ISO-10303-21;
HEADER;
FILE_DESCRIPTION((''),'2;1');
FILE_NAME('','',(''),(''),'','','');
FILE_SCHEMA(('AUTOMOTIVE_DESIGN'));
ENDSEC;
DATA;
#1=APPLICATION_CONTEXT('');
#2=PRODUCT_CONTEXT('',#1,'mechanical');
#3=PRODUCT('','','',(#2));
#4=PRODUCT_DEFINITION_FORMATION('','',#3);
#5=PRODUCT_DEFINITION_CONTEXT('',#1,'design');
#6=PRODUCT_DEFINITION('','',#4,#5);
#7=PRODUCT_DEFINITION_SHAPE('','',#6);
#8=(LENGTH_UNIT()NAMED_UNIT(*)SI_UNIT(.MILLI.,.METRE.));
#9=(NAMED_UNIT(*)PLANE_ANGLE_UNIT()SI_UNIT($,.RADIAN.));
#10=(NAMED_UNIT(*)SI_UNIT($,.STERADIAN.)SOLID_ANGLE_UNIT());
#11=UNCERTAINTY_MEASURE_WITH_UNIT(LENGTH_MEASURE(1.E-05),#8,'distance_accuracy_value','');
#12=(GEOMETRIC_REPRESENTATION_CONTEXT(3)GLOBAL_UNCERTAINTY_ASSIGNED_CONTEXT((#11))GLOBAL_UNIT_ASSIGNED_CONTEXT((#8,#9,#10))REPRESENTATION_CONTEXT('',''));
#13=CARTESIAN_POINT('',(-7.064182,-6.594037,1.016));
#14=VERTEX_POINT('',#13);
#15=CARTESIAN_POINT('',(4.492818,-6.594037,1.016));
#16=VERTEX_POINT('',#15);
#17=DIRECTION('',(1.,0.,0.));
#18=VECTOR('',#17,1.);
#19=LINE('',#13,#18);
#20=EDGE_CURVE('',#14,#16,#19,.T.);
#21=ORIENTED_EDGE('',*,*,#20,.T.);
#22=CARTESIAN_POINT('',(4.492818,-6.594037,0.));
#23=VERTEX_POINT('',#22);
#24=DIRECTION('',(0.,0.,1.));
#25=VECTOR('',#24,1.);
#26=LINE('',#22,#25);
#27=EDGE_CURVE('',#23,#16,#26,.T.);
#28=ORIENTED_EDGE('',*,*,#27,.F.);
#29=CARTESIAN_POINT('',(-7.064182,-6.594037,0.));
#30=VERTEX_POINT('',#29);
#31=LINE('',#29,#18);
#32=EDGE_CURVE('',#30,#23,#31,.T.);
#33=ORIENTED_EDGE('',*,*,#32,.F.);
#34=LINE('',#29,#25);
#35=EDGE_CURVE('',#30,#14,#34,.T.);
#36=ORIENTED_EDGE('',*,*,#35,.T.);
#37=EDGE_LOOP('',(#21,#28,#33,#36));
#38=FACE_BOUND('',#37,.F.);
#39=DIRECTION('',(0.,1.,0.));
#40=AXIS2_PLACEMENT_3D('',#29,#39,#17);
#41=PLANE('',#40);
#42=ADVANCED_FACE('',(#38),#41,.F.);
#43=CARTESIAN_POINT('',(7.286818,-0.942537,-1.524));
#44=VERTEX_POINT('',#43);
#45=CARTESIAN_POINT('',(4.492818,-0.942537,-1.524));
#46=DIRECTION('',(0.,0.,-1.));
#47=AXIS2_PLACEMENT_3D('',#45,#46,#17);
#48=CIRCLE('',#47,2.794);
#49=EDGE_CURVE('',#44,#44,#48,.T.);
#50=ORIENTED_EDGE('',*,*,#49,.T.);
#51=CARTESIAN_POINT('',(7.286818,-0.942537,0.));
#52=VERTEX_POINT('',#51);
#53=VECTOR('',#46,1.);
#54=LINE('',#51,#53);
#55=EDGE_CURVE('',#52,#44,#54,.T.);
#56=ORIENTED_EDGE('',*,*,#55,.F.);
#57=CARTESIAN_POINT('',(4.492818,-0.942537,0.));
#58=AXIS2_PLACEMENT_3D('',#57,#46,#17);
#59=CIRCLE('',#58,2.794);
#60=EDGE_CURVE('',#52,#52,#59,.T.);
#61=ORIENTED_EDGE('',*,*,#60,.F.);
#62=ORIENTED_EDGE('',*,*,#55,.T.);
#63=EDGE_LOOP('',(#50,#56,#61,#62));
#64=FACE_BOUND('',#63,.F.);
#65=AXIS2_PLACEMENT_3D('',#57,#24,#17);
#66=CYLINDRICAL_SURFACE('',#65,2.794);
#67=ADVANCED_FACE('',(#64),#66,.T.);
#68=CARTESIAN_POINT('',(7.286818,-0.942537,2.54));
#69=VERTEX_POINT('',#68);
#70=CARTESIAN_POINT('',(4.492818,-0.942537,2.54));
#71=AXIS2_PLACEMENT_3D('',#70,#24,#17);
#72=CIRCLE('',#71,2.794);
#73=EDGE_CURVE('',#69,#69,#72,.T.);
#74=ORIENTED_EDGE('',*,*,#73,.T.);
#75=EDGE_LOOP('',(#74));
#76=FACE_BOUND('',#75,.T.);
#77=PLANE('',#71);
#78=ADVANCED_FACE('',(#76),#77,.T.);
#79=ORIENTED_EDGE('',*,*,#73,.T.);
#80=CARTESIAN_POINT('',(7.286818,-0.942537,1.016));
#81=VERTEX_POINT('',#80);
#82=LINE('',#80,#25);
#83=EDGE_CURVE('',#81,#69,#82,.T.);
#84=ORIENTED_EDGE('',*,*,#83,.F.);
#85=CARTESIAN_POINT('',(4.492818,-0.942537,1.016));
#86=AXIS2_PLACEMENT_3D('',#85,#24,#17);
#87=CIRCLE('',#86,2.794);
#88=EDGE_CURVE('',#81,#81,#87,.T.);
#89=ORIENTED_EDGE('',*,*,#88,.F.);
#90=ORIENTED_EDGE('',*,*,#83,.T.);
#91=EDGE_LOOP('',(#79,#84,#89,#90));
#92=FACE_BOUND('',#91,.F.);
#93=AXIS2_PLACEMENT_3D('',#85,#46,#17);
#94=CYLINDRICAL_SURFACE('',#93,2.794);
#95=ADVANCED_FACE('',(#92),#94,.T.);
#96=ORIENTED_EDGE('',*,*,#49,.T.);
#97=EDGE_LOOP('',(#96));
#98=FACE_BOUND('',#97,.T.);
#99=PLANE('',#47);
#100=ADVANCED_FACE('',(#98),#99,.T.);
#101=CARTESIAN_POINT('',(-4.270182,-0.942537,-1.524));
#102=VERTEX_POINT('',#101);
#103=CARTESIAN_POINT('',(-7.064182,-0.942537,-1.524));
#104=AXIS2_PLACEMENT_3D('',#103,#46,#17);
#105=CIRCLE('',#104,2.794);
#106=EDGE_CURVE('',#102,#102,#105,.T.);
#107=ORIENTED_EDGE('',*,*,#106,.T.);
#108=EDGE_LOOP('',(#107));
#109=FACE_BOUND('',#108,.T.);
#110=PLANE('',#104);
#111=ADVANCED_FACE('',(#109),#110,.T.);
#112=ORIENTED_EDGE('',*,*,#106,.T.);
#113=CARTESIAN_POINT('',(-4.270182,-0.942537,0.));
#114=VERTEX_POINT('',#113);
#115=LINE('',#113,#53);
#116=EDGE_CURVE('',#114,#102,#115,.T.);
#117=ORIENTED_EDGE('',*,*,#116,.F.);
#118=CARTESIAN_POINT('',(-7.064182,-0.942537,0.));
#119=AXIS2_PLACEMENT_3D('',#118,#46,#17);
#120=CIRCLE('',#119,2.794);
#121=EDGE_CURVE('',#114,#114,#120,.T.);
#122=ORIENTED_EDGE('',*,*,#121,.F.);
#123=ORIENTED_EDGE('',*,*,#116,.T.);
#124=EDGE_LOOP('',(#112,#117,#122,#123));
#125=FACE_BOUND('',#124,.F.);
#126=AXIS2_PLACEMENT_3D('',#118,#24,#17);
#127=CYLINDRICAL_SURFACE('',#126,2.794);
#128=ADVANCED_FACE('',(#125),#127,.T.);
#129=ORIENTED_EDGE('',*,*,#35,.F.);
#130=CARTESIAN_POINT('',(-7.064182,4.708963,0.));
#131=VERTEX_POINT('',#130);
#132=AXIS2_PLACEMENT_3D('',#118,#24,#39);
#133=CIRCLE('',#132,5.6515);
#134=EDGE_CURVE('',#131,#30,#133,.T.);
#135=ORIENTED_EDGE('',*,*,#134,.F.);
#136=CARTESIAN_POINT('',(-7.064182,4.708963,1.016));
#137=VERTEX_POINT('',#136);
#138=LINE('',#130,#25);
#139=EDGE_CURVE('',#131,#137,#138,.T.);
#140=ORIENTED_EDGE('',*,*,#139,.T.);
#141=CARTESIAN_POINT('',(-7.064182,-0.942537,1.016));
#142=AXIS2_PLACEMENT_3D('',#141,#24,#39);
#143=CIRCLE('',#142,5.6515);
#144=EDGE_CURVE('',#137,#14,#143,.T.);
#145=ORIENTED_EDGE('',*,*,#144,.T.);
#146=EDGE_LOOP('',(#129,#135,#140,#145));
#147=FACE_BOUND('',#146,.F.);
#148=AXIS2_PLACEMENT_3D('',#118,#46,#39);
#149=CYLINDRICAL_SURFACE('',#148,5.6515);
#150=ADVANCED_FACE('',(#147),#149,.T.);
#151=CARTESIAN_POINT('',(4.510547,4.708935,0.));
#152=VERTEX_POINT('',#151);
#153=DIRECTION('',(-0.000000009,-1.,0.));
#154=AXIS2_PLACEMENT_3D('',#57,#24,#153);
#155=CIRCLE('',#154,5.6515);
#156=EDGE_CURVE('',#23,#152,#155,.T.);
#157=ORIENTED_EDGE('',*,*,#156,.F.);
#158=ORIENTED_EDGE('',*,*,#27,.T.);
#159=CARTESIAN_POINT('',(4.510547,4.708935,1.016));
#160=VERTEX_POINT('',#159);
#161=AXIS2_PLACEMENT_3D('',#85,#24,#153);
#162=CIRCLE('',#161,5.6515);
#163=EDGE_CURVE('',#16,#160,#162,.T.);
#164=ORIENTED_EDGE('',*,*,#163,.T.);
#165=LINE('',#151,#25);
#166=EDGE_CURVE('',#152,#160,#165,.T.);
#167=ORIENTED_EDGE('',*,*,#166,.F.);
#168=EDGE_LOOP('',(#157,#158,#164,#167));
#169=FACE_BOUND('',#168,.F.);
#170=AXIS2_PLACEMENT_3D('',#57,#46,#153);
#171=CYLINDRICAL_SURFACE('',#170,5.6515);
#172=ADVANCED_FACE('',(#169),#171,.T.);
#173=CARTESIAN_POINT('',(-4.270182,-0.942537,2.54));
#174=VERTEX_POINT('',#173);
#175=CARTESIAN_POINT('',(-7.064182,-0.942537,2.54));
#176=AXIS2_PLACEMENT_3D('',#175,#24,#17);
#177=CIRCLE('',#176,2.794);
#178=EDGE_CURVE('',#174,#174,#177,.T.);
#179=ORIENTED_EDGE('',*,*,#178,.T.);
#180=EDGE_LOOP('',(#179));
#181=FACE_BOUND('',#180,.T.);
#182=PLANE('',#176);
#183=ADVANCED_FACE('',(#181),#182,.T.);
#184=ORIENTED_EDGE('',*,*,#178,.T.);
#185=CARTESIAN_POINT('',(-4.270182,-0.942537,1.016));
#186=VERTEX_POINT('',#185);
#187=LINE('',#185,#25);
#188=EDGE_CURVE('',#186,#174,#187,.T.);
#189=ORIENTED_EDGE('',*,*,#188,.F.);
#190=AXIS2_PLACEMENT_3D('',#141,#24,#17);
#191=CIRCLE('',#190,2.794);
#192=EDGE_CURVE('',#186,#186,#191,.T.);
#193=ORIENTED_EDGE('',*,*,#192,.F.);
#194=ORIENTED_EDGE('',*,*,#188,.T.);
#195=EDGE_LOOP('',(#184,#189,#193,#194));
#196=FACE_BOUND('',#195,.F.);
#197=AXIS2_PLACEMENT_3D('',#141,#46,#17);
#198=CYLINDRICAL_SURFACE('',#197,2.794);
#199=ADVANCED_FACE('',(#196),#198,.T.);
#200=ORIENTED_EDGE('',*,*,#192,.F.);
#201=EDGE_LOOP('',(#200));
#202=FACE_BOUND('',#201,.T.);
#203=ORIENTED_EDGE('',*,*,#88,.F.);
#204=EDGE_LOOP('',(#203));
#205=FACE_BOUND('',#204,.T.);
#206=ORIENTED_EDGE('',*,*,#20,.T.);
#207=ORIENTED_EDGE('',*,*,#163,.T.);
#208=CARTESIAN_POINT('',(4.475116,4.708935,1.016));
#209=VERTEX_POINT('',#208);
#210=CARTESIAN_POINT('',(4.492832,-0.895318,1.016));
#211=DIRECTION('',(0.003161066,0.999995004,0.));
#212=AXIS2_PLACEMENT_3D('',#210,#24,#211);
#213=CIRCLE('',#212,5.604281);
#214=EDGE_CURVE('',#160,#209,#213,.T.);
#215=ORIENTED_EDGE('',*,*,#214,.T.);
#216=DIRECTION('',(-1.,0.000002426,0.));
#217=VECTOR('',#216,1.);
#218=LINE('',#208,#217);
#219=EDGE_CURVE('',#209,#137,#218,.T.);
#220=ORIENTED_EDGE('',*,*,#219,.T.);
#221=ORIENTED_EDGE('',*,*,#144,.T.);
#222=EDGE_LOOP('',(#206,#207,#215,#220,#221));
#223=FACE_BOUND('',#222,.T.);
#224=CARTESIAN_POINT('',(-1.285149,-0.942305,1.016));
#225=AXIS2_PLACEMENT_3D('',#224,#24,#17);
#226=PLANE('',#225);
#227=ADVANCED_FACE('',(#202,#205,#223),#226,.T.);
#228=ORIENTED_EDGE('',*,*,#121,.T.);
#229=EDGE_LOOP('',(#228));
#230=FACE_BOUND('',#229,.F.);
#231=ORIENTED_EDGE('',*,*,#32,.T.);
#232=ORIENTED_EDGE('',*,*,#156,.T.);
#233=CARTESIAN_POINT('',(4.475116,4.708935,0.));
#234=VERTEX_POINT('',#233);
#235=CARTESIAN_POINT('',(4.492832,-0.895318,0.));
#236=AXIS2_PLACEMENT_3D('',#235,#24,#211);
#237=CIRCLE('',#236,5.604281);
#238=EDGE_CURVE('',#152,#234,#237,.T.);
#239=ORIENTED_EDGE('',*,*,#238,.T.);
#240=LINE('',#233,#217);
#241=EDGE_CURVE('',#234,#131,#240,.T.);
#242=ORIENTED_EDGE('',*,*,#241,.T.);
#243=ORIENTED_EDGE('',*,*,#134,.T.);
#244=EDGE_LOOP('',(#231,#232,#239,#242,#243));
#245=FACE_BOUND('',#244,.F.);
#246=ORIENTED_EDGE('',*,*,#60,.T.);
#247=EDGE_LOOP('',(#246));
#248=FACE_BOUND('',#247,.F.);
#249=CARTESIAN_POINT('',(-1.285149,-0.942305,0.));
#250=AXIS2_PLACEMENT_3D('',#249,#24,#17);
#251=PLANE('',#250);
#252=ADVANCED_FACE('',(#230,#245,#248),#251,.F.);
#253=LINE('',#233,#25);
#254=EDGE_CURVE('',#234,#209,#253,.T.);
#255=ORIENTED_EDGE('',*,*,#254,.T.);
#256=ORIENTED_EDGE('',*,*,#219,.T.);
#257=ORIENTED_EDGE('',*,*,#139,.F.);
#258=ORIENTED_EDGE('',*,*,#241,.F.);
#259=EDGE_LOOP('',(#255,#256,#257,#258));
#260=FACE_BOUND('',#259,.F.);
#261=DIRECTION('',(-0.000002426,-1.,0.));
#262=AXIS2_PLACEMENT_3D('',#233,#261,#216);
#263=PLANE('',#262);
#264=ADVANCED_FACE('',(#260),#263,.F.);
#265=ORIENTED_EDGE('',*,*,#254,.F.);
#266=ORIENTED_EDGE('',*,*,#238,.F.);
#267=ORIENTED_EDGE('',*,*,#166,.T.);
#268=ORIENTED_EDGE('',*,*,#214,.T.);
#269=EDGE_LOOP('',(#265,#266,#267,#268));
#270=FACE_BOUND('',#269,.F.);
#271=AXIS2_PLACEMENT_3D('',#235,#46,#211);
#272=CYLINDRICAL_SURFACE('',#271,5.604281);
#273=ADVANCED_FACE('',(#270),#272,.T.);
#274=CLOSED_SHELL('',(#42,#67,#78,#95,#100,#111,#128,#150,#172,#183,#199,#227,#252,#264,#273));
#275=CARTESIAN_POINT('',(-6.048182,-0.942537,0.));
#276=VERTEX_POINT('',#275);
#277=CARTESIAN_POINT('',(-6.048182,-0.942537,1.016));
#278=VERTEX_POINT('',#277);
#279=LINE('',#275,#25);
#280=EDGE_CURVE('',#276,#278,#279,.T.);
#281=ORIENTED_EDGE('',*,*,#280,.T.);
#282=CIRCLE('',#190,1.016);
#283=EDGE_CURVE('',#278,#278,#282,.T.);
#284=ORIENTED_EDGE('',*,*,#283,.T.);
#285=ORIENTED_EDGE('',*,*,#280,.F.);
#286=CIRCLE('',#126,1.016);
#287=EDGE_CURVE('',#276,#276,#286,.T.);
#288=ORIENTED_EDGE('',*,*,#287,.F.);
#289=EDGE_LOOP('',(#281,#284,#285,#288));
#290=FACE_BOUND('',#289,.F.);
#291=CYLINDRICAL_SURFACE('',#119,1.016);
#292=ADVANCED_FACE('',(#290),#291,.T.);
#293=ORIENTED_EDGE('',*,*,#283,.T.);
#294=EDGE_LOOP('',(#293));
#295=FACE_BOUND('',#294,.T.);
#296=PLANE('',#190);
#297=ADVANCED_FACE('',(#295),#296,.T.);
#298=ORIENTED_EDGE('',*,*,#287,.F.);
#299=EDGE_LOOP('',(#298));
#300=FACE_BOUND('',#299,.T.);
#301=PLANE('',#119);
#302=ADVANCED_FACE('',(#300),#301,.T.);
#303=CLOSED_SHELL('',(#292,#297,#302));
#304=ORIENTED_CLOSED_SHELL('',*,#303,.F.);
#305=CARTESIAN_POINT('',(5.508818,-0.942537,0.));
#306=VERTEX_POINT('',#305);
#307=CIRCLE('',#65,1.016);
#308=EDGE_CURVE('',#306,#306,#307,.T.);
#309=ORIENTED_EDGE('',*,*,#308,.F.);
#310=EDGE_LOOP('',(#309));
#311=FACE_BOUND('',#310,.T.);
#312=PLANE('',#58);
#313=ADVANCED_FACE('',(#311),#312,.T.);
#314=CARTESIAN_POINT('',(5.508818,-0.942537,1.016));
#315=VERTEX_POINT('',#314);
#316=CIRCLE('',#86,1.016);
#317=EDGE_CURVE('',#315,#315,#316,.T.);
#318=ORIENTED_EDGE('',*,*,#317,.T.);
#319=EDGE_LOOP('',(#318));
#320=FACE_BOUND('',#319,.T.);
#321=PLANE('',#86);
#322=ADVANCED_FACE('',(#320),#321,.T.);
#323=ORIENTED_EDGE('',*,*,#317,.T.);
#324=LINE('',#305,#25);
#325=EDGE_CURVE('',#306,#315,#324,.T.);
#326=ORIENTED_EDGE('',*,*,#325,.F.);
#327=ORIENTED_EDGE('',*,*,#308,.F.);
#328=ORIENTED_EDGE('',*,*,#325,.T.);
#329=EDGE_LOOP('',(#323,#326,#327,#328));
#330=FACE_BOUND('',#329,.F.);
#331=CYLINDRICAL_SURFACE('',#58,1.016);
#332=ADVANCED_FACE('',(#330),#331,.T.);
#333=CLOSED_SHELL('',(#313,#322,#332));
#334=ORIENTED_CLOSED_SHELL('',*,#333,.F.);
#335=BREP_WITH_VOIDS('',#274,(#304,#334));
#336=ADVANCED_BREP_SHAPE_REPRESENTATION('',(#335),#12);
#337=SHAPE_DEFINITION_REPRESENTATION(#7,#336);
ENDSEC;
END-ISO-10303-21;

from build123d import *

# Parameters (mm, degrees)
F0_R     = 1.016
F1_DEPTH = 1.016
F2_R     = 2.794
F3_DEPTH = 1.524
F4_R     = 2.794
F5_DEPTH = 1.524


with BuildPart() as f1:
    # F0 (on Top) → F1 (new body)
    with BuildSketch(Plane.XY):
        with BuildLine():
            Line((-7.064182, -6.594037), (4.492818, -6.594037))
            ThreePointArc((4.492818, -6.594037), (10.144311, -0.951402), (4.510547, 4.708935))
            ThreePointArc((4.510547, 4.708935), (4.492832, 4.708963), (4.475116, 4.708935))
            Line((4.475116, 4.708935), (-7.064182, 4.708963))
            ThreePointArc((-7.064182, 4.708963), (-12.715682, -0.942537), (-7.064182, -6.594037))
        make_face()
        with Locations((-7.064182, -0.942537)):
            Circle(F0_R, mode=Mode.SUBTRACT)
        with Locations((4.492818, -0.942537)):
            Circle(F0_R, mode=Mode.SUBTRACT)
    extrude(amount=F1_DEPTH)

    # F2 (on face) → F3 (join)
    with BuildSketch(Plane.XY.offset(1.016)):
        with Locations((4.492818, -0.942537)):
            Circle(F2_R)
        with Locations((-7.064182, -0.942537)):
            Circle(F2_R)
    extrude(amount=F3_DEPTH)

    # F4 (on face) → F5 (join)
    with BuildSketch(Plane(origin=(0, 0, 0), x_dir=(1, 0, 0), z_dir=(0, 0, -1))):
        with Locations((4.492818, 0.942537)):
            Circle(F4_R)
        with Locations((-7.064182, 0.942537)):
            Circle(F4_R)
    extrude(amount=F5_DEPTH)


solid = f1.part
